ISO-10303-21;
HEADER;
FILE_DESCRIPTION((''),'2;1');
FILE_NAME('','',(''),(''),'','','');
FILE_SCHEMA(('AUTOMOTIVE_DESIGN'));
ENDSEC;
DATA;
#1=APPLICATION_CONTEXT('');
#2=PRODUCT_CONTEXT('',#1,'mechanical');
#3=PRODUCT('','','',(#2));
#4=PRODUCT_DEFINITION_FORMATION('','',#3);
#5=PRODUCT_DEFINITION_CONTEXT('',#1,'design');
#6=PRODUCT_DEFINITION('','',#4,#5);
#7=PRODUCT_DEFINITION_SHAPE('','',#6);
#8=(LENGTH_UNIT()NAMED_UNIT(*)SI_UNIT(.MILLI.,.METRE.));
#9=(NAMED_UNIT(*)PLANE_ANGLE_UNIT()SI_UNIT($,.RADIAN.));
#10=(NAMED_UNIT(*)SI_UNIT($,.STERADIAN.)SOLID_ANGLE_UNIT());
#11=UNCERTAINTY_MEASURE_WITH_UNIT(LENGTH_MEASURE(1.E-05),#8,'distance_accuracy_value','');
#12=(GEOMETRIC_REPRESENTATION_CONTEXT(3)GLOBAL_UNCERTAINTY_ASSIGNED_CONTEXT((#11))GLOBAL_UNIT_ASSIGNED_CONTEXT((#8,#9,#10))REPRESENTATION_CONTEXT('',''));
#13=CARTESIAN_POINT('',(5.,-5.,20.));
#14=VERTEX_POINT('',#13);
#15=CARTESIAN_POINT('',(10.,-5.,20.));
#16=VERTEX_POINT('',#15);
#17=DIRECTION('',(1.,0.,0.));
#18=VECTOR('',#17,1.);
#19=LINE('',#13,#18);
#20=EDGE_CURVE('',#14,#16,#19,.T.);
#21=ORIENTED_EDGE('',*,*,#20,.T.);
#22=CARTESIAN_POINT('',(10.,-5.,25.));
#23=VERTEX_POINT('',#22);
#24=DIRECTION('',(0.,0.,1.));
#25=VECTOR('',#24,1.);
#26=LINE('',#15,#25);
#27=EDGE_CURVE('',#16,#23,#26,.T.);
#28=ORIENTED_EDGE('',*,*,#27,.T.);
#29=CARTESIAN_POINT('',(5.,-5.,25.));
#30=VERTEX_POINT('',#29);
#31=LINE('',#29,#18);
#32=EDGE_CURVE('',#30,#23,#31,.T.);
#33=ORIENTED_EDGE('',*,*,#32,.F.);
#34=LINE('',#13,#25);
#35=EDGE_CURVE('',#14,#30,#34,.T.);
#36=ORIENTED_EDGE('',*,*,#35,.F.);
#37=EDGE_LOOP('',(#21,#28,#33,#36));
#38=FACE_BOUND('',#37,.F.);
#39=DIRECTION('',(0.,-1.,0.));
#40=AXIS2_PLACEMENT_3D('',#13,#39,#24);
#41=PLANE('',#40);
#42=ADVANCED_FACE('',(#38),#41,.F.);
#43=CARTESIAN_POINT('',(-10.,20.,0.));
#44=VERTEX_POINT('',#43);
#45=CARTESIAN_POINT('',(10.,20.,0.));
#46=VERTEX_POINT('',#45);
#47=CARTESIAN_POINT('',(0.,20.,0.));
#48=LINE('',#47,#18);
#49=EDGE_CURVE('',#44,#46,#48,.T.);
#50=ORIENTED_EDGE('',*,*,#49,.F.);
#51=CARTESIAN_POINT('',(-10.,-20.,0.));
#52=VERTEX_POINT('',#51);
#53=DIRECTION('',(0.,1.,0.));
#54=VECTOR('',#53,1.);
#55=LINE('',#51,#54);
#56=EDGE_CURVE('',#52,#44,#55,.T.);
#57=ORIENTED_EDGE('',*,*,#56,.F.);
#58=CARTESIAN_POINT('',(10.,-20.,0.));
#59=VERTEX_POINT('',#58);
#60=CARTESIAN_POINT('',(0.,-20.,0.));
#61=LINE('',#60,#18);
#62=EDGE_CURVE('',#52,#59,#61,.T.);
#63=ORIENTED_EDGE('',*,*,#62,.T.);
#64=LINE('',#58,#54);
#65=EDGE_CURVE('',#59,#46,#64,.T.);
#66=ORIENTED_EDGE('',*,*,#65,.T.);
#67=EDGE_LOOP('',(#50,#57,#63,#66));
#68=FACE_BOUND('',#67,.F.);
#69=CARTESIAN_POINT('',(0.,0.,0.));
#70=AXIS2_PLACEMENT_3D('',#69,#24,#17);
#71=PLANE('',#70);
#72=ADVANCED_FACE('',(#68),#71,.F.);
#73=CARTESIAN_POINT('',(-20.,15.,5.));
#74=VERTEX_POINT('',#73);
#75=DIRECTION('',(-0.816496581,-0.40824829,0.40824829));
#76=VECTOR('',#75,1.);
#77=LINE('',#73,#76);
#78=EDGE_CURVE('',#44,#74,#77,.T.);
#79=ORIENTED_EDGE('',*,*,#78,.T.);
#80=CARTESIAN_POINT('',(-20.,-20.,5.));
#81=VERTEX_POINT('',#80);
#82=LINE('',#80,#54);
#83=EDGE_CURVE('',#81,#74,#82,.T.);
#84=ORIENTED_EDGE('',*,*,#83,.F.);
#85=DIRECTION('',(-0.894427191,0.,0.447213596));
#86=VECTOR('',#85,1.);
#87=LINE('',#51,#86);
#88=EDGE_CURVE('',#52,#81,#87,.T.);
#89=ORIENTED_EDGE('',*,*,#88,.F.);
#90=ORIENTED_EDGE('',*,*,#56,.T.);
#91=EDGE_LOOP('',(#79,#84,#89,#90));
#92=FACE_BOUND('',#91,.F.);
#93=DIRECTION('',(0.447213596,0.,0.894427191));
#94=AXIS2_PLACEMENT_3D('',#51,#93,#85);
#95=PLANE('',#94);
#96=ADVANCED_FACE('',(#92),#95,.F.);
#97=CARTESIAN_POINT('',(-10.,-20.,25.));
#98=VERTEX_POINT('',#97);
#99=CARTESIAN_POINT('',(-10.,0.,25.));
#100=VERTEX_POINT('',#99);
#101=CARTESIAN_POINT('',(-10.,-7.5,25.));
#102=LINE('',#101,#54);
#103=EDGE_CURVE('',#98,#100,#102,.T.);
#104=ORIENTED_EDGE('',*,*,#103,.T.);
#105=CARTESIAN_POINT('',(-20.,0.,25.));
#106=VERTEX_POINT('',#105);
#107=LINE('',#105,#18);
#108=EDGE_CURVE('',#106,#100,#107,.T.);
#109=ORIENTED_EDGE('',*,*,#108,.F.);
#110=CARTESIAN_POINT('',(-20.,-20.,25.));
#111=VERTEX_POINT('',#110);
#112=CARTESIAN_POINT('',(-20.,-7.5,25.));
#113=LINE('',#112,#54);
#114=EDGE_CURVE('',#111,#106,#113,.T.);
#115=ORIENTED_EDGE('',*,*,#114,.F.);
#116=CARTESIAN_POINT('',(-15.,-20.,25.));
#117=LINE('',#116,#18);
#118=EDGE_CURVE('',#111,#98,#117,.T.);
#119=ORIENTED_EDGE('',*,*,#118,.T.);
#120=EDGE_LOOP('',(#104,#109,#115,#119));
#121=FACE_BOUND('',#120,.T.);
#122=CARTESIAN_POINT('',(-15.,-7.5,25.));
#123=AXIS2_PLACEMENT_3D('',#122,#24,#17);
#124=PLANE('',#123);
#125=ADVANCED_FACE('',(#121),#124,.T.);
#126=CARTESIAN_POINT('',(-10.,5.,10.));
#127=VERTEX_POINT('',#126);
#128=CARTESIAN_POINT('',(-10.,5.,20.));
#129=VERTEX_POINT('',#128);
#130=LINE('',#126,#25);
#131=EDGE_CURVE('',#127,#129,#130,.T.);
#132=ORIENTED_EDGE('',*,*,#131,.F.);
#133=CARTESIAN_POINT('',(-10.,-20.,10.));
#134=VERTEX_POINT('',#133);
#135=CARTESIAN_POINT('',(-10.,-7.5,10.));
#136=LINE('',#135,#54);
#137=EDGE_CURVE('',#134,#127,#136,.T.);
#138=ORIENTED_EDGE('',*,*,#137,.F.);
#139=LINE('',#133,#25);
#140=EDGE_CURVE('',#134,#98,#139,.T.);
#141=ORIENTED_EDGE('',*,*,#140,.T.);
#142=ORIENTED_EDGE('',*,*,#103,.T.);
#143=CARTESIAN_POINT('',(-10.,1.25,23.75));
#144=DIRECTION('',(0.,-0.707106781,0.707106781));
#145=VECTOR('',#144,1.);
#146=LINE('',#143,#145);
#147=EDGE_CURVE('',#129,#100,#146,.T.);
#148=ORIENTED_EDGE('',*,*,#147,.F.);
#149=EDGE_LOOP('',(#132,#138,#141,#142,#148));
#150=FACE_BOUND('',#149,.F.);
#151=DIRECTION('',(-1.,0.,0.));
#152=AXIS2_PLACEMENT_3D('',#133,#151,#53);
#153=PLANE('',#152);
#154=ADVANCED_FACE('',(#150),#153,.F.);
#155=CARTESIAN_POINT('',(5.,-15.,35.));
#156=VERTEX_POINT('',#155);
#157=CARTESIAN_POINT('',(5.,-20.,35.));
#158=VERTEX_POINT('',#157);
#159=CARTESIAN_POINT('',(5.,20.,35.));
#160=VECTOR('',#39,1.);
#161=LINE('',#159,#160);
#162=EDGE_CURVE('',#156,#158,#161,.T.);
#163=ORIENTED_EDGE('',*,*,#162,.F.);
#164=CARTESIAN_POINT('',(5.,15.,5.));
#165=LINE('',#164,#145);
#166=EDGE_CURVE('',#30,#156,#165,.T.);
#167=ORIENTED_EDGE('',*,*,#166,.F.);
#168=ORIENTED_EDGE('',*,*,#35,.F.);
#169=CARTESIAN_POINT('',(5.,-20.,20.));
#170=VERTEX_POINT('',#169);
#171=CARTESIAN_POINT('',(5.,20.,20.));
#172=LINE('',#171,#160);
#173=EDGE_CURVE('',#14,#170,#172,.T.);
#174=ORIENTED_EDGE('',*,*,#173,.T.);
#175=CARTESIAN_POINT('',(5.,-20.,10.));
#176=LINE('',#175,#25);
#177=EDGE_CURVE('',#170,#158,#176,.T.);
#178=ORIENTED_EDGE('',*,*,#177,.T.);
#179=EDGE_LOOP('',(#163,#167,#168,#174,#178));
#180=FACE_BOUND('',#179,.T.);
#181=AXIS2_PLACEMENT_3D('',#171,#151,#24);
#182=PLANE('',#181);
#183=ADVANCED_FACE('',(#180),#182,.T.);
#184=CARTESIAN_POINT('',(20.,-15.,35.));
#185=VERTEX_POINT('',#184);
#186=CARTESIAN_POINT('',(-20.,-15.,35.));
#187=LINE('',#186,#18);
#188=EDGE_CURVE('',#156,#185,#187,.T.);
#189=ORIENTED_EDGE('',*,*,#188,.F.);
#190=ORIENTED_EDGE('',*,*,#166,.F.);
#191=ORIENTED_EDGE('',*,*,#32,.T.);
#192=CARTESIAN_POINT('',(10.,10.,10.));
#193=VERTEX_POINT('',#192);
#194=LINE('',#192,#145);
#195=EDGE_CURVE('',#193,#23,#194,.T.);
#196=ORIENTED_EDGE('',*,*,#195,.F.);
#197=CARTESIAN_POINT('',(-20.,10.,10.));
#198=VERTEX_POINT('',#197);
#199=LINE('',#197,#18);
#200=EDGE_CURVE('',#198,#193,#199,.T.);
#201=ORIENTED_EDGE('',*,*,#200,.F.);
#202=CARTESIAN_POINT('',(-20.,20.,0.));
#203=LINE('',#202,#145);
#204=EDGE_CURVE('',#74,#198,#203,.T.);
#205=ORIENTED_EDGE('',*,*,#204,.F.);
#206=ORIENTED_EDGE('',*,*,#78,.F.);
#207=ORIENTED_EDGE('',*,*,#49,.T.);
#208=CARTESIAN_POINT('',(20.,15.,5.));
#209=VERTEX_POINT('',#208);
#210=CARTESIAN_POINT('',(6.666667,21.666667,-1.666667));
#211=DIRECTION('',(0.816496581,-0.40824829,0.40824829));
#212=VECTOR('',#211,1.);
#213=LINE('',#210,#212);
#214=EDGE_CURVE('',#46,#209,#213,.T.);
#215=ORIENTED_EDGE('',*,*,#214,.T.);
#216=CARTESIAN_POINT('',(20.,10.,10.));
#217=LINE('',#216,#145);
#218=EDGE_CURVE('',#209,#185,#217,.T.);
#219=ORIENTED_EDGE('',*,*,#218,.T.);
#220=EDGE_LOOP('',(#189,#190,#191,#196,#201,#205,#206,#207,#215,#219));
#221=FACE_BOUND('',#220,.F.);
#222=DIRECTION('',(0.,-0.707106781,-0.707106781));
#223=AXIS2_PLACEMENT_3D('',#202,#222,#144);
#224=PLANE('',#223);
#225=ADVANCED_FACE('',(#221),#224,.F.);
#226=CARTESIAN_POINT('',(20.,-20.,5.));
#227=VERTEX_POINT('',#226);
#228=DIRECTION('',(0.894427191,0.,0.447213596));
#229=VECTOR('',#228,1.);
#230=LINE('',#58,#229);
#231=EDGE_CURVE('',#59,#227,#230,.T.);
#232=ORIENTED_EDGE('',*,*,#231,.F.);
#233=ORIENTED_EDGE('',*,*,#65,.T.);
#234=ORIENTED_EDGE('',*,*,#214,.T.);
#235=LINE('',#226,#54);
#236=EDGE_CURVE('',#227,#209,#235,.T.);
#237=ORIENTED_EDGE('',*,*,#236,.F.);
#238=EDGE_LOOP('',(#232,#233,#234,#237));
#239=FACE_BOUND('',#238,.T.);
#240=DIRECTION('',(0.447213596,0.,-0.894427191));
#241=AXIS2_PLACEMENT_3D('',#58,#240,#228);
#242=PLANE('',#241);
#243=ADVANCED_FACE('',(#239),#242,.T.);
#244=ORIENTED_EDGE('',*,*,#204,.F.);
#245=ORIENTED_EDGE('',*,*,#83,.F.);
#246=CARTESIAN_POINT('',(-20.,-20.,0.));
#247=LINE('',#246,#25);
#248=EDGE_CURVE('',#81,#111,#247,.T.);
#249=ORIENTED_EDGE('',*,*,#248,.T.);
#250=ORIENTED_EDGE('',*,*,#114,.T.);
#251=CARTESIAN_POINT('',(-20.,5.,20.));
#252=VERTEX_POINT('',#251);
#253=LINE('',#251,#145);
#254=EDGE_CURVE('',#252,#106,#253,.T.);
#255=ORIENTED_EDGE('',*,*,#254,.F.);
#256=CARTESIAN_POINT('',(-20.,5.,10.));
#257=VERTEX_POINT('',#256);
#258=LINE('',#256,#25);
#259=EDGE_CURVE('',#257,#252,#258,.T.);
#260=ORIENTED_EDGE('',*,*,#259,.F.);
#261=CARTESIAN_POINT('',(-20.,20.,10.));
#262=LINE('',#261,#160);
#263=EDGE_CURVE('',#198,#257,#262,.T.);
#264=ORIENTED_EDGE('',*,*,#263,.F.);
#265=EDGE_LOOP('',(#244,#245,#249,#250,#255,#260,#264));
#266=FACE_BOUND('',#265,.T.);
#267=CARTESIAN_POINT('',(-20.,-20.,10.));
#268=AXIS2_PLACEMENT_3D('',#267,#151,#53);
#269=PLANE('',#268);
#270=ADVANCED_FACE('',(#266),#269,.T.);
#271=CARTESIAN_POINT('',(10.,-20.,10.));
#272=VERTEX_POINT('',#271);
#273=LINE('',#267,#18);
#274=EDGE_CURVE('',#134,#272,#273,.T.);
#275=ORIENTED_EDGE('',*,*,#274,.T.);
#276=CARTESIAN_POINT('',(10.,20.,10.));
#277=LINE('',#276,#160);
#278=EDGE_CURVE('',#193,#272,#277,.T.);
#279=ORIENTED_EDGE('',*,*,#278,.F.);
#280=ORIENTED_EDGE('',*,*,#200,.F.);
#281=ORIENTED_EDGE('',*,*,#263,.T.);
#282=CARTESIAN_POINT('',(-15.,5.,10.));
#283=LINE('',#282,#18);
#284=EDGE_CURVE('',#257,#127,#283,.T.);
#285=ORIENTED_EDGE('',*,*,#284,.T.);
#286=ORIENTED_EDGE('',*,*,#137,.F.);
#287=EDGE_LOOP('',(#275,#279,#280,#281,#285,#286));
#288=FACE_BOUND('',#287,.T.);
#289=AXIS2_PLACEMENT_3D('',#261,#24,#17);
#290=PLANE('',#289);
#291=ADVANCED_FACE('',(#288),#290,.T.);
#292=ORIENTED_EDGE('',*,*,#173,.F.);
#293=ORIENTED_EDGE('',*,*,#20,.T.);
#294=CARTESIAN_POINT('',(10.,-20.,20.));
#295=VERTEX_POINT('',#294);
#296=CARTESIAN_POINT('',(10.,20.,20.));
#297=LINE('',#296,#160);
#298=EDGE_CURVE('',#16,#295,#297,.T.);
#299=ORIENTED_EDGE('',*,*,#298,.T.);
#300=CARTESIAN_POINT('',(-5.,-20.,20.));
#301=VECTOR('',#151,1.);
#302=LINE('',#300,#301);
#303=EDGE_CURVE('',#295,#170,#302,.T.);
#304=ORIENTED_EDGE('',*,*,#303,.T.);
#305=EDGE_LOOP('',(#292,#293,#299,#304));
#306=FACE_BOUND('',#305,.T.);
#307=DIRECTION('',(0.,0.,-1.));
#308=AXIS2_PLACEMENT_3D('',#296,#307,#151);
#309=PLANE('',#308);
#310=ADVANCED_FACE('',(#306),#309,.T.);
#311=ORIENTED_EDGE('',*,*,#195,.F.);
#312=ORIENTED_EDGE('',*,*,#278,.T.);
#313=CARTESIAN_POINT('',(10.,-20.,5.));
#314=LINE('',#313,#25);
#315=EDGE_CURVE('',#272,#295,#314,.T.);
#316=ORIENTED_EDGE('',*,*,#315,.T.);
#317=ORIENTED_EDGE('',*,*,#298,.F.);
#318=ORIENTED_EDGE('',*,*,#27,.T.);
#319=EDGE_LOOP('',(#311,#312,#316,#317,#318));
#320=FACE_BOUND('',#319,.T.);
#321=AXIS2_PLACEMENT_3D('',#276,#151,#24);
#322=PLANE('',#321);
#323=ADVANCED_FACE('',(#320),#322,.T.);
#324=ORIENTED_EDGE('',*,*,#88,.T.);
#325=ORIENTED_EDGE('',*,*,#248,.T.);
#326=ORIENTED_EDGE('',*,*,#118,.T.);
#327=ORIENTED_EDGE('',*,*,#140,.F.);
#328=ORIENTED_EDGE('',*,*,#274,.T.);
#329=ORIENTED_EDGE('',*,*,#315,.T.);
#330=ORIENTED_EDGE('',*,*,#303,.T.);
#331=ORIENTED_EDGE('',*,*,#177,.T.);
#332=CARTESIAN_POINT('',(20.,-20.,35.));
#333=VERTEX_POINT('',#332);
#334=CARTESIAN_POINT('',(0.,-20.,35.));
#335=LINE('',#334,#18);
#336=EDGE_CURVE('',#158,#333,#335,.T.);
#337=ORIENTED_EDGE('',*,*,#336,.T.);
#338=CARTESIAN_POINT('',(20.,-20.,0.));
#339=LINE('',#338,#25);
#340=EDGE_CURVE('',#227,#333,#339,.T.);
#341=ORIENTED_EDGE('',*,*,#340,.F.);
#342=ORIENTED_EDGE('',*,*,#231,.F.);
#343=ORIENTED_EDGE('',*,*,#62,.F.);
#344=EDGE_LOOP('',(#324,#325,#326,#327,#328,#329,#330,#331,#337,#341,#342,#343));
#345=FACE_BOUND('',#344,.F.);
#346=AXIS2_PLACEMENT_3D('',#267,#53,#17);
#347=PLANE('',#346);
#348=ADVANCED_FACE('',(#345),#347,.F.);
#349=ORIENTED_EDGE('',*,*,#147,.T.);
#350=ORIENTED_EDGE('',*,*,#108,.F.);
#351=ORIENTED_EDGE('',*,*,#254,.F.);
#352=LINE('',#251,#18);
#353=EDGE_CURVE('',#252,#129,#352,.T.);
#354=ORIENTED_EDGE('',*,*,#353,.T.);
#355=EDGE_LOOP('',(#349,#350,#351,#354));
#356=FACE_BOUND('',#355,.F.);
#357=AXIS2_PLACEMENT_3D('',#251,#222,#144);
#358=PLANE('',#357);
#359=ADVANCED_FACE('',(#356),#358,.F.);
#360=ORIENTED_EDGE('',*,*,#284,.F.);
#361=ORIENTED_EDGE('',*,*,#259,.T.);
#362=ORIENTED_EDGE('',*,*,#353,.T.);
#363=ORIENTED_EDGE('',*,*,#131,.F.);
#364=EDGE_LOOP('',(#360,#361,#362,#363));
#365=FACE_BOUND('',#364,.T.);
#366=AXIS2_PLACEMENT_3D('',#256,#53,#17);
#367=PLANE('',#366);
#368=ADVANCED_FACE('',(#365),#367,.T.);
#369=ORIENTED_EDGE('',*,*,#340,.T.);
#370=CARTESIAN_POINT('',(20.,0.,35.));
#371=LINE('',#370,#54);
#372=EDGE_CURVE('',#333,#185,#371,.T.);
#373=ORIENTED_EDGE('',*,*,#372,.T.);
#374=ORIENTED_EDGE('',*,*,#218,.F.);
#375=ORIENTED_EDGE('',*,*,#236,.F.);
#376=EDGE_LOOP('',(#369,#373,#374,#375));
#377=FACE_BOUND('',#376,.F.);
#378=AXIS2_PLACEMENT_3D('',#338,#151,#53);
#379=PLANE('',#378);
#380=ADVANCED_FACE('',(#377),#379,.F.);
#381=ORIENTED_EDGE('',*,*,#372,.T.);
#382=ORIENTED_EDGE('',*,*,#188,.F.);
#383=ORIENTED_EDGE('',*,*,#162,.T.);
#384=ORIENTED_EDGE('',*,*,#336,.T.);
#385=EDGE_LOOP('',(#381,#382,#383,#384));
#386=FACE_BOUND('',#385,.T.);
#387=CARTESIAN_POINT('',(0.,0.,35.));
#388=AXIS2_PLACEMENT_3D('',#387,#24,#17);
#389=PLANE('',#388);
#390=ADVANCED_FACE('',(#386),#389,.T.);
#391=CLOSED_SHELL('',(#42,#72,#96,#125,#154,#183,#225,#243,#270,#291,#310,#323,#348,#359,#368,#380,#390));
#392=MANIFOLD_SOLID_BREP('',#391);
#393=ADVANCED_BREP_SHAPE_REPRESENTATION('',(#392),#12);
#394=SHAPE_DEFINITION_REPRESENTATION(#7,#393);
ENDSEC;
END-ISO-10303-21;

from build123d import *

# Parameters (mm, degrees)
SKETCH1_W           = 40
SKETCH1_H           = 40
BOSS_EXTRUDE1_DEPTH = 35
CUT_EXTRUDE1_DEPTH  = 41
CUT_EXTRUDE3_DEPTH  = 41
CUT_EXTRUDE4_DEPTH  = 5
SKETCH5_W           = 10
SKETCH5_H           = 25
BOSS_EXTRUDE2_DEPTH = 15
CUT_EXTRUDE5_DEPTH  = 15
CUT_EXTRUDE6_DEPTH  = 41


with BuildPart() as part:
    # Sketch1 → Boss-Extrude1 (new body)
    with BuildSketch(Plane.XY):
        Rectangle(SKETCH1_W, SKETCH1_H)
    extrude(amount=BOSS_EXTRUDE1_DEPTH)

    # Sketch2 → Cut-Extrude1 (cut, through all)
    with BuildSketch(Plane(origin=(0, 20, 0), x_dir=(1, 0, 0), z_dir=(0, 1, 0))):
        Polygon((-20, -10), (10, -10), (10, -20), (5, -20), (5, -35), (-20, -35), align=None)
    extrude(amount=-CUT_EXTRUDE1_DEPTH, mode=Mode.SUBTRACT)

    # Sketch3 → Cut-Extrude3 (cut, through all)
    with BuildSketch(Plane(origin=(-20, 0, 0), x_dir=(0, 0, -1), z_dir=(1, 0, 0))):
        Polygon((0, 20), (-35, -15), (-35, 20), align=None)
    extrude(amount=CUT_EXTRUDE3_DEPTH, mode=Mode.SUBTRACT)

    # Sketch4 → Cut-Extrude4 (cut)
    with BuildSketch(Plane.ZY.offset(-5)):
        Polygon((20, 0), (20, -5), (25, -5), align=None)
    extrude(amount=-CUT_EXTRUDE4_DEPTH, mode=Mode.SUBTRACT)

    # Sketch5 → Boss-Extrude2 (add)
    with BuildSketch(Plane.XY.offset(10)):
        with Locations((-15, -7.5)):
            Rectangle(SKETCH5_W, SKETCH5_H)
    extrude(amount=BOSS_EXTRUDE2_DEPTH)

    # Sketch6 → Cut-Extrude5 (cut)
    with BuildSketch(Plane.ZY.offset(20)):
        Polygon((25, 5), (20, 5), (25, 0), align=None)
    extrude(amount=-CUT_EXTRUDE5_DEPTH, mode=Mode.SUBTRACT)

    # Sketch7 → Cut-Extrude6 (cut, through all)
    with BuildSketch(Plane.XZ.offset(20)):
        Polygon((10, 0), (20, 5), (20, 0), align=None)
        Polygon((-20, 0), (-10, 0), (-20, 5), align=None)
    extrude(amount=-CUT_EXTRUDE6_DEPTH, mode=Mode.SUBTRACT)


solid = part.part
